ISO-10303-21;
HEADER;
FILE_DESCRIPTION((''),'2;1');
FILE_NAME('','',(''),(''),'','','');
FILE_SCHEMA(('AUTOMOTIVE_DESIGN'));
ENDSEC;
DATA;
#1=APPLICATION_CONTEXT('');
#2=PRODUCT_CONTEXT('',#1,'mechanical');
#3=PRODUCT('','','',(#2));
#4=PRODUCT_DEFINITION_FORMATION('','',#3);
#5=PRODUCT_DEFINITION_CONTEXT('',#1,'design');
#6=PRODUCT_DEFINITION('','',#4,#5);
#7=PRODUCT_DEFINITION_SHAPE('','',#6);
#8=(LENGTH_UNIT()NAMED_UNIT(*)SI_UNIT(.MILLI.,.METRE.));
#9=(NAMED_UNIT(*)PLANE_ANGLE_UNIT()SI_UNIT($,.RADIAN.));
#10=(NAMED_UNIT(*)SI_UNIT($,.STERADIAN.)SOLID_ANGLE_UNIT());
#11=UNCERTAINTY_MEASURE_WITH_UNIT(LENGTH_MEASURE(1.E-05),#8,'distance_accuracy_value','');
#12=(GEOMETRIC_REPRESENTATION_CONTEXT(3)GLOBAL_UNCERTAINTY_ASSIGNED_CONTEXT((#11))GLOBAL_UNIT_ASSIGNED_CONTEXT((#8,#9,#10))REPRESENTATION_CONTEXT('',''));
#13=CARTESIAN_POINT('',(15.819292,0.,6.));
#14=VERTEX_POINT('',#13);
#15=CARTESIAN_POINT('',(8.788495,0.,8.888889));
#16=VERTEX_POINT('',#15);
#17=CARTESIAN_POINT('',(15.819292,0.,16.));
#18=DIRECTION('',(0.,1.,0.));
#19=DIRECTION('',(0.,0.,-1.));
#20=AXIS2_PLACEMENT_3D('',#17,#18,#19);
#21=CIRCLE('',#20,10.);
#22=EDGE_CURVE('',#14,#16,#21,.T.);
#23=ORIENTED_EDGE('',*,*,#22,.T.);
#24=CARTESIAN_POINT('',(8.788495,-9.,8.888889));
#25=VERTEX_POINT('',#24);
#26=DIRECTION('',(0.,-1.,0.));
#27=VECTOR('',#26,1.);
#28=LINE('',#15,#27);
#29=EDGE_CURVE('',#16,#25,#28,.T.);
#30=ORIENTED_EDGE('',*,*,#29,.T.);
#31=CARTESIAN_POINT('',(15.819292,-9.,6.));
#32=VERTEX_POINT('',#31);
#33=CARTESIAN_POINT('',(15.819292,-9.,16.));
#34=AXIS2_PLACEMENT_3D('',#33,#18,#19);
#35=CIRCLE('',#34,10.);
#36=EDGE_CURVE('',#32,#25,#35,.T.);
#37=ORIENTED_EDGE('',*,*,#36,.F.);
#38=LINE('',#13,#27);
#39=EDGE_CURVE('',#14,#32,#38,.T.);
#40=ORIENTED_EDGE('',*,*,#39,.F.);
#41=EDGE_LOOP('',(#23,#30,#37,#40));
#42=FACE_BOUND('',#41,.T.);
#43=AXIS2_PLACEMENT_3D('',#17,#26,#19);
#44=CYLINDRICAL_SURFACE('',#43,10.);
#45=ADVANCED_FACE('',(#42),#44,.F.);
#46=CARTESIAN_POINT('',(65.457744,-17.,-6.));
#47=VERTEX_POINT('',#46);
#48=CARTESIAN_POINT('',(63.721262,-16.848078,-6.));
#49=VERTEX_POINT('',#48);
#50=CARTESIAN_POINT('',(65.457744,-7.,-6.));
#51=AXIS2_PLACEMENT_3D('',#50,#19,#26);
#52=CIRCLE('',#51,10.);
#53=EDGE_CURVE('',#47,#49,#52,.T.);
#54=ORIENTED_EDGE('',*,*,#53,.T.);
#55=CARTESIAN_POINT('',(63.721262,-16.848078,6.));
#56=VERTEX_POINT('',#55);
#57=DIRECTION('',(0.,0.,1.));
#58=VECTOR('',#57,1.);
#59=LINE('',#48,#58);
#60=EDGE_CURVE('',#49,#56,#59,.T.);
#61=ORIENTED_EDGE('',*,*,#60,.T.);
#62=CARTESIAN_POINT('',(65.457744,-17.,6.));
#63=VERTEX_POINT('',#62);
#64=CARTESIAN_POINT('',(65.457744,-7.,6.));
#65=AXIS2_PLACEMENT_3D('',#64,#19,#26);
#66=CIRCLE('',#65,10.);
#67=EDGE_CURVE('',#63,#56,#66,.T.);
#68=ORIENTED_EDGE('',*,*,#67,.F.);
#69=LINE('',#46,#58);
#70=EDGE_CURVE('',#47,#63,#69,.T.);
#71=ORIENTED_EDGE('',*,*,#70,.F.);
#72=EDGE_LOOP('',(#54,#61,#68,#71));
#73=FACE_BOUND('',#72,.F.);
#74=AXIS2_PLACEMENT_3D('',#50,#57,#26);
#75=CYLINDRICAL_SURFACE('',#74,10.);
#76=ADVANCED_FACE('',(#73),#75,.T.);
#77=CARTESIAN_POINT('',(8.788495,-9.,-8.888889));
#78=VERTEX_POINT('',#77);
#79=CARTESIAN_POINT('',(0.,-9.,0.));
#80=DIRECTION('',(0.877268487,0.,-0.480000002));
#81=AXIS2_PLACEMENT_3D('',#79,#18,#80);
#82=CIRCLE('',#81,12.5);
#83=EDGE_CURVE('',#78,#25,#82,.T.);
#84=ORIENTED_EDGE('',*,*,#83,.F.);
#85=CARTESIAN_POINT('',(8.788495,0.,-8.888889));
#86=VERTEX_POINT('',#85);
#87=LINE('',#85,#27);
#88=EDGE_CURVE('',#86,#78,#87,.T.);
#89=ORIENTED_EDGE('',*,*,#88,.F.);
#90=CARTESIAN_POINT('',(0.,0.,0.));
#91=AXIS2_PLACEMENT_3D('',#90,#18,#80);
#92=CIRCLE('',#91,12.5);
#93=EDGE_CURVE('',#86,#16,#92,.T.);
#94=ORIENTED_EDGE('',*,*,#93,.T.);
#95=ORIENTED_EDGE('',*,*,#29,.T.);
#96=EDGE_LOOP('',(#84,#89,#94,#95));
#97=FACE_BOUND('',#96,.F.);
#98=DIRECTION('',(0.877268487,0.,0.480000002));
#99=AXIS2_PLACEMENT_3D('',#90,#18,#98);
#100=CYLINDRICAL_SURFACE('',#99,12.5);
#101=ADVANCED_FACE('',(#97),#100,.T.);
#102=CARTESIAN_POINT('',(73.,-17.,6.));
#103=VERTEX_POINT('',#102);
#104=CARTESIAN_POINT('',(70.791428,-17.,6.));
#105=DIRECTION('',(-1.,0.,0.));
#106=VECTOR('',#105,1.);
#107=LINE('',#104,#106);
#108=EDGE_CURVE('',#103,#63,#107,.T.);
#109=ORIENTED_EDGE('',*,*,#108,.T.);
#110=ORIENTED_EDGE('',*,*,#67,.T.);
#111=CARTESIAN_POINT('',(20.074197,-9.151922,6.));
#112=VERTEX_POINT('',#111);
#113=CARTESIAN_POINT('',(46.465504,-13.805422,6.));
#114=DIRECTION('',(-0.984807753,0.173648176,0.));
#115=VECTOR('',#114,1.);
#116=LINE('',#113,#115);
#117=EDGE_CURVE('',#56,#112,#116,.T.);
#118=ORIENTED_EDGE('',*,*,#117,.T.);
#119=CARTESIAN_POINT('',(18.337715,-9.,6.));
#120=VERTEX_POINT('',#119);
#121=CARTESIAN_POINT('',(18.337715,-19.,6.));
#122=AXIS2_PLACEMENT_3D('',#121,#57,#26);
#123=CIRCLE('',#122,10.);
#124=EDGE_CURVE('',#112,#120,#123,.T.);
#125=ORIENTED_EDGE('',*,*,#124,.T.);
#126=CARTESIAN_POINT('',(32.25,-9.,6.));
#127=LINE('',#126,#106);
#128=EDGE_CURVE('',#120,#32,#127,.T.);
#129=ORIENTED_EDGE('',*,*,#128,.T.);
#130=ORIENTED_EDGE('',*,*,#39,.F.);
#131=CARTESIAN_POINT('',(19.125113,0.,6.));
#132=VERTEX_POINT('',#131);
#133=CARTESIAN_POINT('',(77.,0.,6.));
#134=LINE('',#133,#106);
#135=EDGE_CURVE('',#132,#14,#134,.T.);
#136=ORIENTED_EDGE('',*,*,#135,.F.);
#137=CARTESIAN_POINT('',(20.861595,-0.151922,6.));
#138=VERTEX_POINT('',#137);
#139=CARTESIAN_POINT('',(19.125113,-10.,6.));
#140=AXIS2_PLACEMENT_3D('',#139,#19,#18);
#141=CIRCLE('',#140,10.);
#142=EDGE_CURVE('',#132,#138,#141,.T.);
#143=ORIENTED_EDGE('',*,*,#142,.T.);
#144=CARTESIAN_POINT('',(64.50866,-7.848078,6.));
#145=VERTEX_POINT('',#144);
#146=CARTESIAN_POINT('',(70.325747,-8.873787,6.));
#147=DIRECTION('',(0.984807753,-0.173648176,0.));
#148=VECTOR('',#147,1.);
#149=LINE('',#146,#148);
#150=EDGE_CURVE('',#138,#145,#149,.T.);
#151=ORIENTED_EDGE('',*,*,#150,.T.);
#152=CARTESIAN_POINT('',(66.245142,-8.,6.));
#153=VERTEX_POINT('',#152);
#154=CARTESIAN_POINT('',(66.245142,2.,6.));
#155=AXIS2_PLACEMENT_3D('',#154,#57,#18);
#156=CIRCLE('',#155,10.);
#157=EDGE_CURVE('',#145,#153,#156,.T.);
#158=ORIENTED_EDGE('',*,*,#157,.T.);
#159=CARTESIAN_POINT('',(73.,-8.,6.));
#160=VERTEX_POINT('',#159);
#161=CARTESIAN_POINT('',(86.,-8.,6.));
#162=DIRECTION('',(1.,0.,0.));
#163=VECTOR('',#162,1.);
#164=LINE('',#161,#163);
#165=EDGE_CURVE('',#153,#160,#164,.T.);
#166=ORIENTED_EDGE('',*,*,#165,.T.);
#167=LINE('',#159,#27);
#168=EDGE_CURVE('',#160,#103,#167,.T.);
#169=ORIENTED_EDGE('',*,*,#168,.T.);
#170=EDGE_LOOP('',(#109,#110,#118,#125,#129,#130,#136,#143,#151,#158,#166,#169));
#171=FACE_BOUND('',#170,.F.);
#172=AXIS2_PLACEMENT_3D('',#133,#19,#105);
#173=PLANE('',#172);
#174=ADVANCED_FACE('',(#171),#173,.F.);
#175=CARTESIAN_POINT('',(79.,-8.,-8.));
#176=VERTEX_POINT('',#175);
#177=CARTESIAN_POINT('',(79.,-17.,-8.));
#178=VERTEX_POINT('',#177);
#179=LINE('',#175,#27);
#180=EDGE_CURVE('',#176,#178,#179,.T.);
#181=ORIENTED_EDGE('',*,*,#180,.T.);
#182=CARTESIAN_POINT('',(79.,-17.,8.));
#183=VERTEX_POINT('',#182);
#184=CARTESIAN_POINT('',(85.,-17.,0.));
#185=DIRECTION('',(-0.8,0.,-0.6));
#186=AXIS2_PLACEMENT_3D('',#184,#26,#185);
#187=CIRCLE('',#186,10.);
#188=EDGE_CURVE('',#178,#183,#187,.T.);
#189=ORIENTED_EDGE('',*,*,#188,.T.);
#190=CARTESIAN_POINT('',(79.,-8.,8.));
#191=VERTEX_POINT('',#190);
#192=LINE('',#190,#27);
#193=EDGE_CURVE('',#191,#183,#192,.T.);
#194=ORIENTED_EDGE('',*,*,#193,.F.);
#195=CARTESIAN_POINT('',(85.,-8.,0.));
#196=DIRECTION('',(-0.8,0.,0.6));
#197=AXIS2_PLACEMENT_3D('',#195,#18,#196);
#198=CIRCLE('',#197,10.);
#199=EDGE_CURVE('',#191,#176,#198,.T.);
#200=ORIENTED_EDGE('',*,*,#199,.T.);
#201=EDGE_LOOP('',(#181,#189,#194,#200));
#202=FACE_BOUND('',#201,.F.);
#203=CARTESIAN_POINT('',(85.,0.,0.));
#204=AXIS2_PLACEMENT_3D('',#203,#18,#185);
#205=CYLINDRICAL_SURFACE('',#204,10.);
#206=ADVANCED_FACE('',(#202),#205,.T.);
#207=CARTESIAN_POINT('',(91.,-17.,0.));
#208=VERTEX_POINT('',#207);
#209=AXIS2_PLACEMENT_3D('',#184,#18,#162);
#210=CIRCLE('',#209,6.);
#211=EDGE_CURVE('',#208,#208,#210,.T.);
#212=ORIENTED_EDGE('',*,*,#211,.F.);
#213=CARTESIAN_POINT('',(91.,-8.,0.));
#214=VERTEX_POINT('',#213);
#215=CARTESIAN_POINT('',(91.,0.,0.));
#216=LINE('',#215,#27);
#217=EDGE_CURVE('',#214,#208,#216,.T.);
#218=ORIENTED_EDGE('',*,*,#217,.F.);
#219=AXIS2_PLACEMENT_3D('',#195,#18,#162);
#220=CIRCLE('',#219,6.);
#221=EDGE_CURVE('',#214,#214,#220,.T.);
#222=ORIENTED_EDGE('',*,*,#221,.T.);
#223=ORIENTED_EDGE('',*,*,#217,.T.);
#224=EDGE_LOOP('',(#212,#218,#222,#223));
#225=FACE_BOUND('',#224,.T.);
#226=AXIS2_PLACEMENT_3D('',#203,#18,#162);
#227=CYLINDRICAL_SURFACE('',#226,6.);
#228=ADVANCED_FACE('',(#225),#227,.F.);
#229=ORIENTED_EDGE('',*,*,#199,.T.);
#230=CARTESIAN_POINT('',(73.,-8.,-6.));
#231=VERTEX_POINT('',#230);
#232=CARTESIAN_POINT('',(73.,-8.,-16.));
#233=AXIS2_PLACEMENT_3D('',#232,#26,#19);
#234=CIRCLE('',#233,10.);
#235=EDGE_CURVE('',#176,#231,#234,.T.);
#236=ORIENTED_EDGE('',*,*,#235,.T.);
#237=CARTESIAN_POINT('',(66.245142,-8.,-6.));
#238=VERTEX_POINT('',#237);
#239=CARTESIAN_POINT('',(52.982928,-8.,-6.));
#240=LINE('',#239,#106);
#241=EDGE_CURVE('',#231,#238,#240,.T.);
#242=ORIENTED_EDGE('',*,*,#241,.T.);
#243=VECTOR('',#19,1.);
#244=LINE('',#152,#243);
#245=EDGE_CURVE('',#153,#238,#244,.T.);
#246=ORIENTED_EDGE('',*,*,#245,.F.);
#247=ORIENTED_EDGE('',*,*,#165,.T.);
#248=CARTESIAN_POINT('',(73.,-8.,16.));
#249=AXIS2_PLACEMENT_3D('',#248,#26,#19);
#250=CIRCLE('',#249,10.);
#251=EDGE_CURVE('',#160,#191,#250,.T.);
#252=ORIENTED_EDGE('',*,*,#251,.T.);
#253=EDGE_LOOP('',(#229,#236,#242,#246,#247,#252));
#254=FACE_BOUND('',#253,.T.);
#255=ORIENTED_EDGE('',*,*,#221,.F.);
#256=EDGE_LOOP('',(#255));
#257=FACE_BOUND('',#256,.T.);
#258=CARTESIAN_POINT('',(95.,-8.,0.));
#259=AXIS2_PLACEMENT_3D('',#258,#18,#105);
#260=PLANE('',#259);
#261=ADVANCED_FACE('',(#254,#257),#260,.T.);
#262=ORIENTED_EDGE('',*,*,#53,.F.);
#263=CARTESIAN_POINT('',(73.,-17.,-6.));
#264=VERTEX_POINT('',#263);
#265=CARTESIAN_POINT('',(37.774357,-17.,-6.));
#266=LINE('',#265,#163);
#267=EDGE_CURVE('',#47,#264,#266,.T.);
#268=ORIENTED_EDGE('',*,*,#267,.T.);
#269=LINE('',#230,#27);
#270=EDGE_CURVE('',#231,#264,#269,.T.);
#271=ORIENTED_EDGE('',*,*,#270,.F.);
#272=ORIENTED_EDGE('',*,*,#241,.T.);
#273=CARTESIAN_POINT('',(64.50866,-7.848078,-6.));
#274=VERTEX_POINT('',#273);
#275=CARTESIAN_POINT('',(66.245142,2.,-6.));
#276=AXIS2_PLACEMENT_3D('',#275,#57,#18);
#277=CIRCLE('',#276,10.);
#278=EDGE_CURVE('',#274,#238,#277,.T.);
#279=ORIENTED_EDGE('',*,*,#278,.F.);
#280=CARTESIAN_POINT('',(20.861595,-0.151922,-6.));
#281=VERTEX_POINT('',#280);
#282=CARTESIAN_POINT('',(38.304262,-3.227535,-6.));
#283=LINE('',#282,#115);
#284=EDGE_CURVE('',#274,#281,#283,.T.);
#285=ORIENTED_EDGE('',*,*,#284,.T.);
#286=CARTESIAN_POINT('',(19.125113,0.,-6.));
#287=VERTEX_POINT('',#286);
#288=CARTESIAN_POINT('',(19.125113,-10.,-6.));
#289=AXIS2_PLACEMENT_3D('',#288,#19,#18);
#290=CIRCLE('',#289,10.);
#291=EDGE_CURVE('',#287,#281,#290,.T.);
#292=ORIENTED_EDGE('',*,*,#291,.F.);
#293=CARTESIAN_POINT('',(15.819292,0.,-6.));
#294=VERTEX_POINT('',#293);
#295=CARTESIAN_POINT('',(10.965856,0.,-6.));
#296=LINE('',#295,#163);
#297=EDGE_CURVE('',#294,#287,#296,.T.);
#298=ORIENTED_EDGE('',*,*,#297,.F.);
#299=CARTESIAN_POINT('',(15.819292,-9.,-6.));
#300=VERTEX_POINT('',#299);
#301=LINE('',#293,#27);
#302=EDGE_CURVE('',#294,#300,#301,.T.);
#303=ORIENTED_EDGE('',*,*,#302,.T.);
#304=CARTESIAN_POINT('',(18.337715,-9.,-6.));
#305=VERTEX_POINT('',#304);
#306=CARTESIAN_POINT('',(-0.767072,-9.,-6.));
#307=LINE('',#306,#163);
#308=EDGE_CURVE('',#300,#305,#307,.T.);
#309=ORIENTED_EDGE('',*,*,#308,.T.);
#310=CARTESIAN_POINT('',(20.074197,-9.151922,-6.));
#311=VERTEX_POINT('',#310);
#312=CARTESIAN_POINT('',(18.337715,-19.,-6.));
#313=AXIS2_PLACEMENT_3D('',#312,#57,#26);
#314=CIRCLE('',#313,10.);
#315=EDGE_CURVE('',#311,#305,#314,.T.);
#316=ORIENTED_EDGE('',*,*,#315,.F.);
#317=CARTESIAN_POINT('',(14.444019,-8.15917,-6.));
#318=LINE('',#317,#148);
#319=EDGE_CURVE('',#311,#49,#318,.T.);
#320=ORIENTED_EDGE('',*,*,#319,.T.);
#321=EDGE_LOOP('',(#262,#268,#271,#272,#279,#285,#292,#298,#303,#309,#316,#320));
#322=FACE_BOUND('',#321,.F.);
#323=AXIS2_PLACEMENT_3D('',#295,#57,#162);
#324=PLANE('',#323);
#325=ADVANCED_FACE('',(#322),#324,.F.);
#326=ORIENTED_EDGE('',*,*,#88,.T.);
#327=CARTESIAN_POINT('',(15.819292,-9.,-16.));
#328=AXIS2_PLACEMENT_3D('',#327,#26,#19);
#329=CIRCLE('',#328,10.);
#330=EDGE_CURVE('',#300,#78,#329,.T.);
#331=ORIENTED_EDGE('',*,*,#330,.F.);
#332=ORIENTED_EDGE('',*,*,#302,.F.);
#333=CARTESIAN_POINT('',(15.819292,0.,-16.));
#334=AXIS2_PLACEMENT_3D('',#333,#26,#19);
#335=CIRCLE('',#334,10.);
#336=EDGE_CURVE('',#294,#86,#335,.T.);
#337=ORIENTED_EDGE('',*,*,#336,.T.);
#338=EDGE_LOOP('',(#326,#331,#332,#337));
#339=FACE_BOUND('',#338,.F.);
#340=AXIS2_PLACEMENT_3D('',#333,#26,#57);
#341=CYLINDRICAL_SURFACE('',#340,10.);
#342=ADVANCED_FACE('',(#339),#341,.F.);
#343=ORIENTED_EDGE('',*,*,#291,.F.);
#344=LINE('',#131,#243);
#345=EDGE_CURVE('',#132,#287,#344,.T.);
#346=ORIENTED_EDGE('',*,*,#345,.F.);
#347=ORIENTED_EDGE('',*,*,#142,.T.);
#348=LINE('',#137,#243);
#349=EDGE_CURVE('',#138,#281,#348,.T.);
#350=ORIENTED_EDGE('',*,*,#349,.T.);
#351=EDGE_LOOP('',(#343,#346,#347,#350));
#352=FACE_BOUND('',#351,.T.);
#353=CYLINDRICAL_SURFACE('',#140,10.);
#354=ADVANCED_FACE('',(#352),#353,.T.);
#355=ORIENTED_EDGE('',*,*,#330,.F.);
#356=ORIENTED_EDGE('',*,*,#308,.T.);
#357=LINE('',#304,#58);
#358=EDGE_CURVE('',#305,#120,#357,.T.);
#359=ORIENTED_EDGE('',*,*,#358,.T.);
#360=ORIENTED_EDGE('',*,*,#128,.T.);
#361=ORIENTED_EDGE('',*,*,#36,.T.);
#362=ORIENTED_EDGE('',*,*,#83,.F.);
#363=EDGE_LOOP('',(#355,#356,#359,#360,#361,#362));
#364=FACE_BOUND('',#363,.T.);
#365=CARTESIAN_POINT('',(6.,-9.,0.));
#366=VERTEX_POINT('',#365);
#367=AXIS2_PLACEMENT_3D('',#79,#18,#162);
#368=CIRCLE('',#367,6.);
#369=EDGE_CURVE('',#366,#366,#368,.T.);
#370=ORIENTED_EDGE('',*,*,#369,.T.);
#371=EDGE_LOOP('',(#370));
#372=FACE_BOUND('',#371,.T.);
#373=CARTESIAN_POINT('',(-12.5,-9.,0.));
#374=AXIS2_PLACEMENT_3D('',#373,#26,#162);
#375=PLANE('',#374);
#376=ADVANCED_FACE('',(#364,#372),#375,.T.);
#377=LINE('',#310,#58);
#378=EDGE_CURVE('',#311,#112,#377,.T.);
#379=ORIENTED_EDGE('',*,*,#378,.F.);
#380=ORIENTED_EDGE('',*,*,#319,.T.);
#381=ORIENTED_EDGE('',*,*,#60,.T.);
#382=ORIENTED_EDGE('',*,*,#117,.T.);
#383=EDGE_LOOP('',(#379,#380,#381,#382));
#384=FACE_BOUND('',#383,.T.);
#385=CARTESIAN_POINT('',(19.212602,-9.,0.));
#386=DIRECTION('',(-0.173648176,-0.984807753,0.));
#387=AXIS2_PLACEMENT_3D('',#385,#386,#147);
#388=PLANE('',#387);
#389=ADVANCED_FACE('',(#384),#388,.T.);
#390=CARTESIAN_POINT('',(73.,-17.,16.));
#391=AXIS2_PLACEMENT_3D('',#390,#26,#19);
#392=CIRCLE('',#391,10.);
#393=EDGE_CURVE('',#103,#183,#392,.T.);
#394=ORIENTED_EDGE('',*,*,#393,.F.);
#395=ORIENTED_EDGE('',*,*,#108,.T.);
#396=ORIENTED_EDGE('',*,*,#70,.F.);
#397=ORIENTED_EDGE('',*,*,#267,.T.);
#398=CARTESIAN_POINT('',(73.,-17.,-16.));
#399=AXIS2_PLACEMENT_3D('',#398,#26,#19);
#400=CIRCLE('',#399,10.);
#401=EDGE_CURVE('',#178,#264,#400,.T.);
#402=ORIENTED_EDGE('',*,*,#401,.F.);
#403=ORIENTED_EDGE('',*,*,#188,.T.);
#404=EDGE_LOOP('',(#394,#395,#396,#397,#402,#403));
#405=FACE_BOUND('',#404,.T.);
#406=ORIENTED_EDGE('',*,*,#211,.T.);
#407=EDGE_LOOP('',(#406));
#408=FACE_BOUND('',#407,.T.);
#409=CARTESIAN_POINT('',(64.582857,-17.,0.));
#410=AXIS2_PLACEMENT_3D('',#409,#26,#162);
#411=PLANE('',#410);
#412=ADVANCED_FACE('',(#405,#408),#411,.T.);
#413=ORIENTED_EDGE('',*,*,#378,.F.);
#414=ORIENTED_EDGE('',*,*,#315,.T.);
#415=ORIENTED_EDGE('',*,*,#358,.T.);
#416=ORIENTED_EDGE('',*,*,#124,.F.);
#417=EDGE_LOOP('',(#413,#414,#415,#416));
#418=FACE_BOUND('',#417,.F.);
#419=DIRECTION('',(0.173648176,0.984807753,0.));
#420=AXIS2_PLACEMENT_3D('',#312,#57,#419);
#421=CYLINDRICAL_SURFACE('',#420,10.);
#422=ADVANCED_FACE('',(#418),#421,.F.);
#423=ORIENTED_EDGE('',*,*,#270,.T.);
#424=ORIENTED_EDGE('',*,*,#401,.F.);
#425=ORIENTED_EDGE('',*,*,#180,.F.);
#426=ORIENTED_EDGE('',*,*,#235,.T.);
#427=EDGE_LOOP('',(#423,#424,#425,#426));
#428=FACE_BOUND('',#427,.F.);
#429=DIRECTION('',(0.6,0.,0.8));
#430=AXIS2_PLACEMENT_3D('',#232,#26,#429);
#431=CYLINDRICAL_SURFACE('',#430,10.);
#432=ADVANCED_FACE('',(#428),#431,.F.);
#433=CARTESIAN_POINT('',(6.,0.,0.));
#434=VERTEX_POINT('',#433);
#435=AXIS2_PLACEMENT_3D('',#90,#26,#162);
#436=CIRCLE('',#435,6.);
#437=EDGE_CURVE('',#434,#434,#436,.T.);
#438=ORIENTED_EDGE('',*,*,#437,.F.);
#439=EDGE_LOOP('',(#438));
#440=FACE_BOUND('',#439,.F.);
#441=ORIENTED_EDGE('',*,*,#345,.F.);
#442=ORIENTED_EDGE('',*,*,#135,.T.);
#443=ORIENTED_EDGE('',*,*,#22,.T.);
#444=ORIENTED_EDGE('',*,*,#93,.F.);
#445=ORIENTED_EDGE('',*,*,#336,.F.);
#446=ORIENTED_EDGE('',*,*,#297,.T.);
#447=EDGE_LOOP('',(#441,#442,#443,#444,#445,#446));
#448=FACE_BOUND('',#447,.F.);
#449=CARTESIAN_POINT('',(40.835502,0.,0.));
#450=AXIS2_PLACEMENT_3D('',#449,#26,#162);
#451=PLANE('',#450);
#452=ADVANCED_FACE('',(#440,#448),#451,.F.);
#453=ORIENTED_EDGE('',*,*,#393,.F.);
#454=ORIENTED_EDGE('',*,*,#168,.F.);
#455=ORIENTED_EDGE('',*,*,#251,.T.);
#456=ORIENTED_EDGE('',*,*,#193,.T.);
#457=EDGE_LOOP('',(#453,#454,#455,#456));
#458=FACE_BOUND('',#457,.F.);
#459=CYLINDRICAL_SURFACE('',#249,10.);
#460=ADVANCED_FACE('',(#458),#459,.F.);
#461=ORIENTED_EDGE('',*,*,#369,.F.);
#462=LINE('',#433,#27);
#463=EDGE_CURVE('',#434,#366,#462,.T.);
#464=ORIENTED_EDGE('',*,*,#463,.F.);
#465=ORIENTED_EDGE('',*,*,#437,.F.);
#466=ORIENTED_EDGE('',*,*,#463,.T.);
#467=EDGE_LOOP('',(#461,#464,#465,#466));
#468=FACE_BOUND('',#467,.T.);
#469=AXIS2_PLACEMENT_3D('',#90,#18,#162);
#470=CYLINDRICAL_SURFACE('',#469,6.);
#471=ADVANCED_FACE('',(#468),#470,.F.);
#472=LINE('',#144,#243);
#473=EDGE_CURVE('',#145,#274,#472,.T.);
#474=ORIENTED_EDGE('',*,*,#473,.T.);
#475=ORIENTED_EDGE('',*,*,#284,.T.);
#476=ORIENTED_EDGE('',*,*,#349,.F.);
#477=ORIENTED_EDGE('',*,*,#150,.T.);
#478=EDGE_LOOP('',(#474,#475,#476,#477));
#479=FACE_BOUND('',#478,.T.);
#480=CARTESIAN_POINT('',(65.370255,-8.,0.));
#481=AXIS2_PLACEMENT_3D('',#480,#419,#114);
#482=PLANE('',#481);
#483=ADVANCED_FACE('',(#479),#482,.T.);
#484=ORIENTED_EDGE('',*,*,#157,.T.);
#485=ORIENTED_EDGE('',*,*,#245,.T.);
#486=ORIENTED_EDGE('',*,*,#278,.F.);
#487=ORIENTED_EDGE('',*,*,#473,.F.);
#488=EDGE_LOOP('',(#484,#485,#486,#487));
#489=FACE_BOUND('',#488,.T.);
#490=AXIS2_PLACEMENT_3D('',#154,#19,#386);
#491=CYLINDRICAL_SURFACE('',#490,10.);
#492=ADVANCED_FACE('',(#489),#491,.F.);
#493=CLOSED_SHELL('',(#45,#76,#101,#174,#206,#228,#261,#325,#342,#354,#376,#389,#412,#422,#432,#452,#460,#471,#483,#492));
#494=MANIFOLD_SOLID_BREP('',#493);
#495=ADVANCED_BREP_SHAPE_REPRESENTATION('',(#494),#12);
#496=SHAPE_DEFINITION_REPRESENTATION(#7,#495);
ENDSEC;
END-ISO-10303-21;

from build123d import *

# Parameters (mm, degrees)
F0_R     = 6
F1_DEPTH = 25
F2_W     = 18
F2_H     = 9
F3_DEPTH = 12.5
F4_R     = 10


with BuildPart() as f1:
    # F0 (on Front) → F1 (new body)
    with BuildSketch(Plane.XZ):
        with BuildLine():
            Line((77, 6), (10.965856, 6))
            ThreePointArc((10.965856, 6), (-12.5, 0), (10.965856, -6))
            Line((10.965856, -6), (77, -6))
            ThreePointArc((77, -6), (95, 0), (77, 6))
        make_face()
        Circle(F0_R, mode=Mode.SUBTRACT)
        with Locations((85, 0)):
            Circle(F0_R, mode=Mode.SUBTRACT)
    extrude(amount=F1_DEPTH)

    # F2 (on Top) → F3 (intersect, symmetric)
    with BuildSketch(Plane.XY):
        Polygon((20, 0), (-12.5, 0), (-12.5, -9), (19.212602, -9), (64.582857, -17), (77, -17), (77, -8), (65.370255, -8), align=None)
        with Locations((86, -12.5)):
            Rectangle(F2_W, F2_H)
    extrude(amount=F3_DEPTH, both=True, mode=Mode.INTERSECT)

    # F4
    f4_edges = [f1.edges().sort_by_distance(p)[0] for p in [
        (10.965856, -4.5, 6),
        (77, -12.5, 6),
        (20, 0, 0),
        (65.370255, -8, 0),
        (77, -12.5, -6),
        (10.965856, -4.5, -6),
        (64.582857, -17, 0),
        (19.212602, -9, 0),
    ]]
    fillet(f4_edges, radius=F4_R)


solid = f1.part
